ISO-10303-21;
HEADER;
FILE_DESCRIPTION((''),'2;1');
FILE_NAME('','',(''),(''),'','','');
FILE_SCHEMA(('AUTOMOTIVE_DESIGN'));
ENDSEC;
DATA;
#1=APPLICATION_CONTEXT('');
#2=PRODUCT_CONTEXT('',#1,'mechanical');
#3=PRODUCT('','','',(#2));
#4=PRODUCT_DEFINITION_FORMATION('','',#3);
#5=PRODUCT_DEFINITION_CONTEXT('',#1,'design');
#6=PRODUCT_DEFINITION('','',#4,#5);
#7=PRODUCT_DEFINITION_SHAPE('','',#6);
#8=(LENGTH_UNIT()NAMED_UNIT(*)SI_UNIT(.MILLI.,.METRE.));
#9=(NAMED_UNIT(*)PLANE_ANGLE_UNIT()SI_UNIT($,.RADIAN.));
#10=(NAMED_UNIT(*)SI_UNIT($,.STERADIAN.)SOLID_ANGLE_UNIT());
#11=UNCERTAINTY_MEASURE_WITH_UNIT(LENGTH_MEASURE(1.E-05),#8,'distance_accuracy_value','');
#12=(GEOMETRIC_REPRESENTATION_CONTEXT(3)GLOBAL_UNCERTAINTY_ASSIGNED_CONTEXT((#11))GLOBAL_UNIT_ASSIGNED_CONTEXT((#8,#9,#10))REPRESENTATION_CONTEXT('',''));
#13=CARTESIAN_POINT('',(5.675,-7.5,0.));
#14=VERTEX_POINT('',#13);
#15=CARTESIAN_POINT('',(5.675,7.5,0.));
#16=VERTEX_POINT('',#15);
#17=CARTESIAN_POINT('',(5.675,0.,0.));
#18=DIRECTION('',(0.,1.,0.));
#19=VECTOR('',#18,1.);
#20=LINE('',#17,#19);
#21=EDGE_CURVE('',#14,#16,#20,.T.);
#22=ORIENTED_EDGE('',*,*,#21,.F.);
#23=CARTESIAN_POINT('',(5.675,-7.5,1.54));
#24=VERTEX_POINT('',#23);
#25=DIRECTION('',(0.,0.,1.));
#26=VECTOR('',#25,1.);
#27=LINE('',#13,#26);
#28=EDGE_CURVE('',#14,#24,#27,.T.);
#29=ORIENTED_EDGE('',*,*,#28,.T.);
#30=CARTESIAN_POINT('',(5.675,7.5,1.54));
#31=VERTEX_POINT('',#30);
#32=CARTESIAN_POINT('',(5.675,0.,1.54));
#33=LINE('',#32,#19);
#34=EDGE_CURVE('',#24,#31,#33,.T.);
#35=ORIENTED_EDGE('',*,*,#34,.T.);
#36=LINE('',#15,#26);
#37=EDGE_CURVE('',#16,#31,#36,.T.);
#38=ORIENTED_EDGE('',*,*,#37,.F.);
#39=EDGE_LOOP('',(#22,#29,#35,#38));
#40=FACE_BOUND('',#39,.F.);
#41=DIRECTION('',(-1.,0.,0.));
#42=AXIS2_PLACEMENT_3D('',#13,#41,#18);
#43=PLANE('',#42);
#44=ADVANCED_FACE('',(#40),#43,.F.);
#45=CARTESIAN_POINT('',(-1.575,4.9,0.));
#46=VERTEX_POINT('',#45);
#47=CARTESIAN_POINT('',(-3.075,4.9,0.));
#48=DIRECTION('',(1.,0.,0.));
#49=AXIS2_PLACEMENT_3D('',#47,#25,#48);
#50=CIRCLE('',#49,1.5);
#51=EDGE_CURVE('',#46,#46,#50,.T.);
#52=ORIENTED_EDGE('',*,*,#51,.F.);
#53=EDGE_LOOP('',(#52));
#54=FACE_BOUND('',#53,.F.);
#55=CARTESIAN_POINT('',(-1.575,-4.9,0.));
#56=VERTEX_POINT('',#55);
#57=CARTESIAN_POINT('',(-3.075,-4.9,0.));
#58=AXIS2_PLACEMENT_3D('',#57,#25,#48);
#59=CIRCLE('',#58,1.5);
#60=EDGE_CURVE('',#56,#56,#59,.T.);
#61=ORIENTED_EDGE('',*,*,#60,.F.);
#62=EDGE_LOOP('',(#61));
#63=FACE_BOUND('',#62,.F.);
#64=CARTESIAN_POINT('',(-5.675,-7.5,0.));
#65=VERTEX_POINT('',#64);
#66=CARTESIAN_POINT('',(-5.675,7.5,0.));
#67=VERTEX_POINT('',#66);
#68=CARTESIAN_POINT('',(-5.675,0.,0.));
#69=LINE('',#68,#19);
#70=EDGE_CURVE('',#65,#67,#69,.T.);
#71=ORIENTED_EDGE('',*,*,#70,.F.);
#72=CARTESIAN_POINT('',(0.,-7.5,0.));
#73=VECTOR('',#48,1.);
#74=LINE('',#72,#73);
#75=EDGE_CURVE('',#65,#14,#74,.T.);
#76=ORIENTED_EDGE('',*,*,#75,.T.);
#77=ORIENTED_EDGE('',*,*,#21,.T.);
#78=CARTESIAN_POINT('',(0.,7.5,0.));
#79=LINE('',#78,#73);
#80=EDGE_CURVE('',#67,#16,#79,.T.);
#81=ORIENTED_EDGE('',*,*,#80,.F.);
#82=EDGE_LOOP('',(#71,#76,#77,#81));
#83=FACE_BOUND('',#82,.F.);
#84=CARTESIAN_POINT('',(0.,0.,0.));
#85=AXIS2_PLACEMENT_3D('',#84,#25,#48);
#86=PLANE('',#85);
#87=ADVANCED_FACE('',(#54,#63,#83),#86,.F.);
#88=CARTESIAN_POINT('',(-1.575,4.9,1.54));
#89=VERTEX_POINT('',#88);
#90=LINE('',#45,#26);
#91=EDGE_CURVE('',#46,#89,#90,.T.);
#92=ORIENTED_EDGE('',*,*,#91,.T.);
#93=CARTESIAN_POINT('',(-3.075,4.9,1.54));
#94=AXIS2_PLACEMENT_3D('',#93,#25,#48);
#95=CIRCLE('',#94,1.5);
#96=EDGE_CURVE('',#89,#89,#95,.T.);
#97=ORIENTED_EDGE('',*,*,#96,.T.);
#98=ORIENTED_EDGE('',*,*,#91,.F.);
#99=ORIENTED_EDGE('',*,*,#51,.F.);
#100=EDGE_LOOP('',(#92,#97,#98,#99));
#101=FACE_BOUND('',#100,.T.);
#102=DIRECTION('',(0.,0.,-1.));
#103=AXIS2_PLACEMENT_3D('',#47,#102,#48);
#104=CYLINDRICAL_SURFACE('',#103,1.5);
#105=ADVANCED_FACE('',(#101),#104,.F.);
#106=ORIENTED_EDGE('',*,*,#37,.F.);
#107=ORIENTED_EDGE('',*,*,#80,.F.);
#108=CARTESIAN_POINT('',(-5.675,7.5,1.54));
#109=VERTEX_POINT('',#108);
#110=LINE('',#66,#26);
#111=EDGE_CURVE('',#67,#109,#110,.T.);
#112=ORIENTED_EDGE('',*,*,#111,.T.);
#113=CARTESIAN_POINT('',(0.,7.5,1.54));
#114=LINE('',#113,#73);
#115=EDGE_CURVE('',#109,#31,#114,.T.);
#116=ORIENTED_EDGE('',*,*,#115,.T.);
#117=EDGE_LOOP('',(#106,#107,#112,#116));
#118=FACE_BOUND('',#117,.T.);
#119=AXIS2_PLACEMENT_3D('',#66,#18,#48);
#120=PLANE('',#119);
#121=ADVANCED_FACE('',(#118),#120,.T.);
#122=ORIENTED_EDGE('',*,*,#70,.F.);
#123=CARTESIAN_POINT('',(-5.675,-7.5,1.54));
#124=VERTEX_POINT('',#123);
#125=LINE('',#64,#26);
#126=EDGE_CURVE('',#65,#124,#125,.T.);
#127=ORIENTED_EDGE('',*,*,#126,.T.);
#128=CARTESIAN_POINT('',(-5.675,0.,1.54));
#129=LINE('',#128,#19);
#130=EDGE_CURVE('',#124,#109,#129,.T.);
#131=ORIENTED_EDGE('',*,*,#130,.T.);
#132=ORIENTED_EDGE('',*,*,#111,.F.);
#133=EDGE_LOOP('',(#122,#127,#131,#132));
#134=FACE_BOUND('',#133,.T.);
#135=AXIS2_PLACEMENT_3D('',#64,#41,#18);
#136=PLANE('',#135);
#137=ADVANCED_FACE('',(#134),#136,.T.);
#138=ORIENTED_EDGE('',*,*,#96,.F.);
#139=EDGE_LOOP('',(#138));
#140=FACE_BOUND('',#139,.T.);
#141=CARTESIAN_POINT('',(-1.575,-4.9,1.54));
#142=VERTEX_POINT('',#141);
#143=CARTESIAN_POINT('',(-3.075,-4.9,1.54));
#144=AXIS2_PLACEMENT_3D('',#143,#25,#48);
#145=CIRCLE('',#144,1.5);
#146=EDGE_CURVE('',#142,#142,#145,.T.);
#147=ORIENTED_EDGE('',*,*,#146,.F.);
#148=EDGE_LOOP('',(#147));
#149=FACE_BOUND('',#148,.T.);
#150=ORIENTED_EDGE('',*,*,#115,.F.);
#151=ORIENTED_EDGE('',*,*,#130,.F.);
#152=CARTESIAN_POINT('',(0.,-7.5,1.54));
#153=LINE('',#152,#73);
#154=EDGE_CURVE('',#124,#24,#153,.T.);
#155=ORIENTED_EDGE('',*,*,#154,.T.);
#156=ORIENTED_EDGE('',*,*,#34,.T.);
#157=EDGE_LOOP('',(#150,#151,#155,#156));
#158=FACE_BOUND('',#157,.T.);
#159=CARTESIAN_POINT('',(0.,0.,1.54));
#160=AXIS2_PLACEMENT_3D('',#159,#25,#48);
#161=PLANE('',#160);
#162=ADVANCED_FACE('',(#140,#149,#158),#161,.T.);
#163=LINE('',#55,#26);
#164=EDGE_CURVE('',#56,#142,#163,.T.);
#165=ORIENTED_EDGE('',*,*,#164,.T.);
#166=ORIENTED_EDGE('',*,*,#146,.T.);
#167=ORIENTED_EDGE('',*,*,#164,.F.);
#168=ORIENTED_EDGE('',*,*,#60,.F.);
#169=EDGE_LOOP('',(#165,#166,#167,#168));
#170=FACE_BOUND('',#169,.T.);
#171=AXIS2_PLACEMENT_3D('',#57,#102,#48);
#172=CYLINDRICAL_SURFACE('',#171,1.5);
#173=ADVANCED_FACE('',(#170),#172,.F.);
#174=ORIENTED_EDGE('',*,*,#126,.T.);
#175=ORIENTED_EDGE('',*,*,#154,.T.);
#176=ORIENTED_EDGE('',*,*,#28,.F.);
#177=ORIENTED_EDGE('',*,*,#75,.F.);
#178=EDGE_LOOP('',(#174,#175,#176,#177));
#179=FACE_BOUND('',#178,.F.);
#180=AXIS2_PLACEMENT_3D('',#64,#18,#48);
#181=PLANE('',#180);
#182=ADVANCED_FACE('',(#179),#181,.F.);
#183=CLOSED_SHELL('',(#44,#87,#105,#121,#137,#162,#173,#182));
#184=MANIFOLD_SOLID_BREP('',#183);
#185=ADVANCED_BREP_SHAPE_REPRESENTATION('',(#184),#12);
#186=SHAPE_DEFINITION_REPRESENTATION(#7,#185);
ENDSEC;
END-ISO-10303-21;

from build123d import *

# Parameters (mm, degrees)
SKETCH_W  = 11.35
SKETCH_H  = 15
SKETCH_R  = 1.5
PAD_DEPTH = 1.54


with BuildPart() as part:
    # Sketch → Pad (new body)
    with BuildSketch(Plane.XY):
        Rectangle(SKETCH_W, SKETCH_H)
        with Locations((-3.075, 4.9)):
            Circle(SKETCH_R, mode=Mode.SUBTRACT)
        with Locations((-3.075, -4.9)):
            Circle(SKETCH_R, mode=Mode.SUBTRACT)
    extrude(amount=PAD_DEPTH)


solid = part.part
